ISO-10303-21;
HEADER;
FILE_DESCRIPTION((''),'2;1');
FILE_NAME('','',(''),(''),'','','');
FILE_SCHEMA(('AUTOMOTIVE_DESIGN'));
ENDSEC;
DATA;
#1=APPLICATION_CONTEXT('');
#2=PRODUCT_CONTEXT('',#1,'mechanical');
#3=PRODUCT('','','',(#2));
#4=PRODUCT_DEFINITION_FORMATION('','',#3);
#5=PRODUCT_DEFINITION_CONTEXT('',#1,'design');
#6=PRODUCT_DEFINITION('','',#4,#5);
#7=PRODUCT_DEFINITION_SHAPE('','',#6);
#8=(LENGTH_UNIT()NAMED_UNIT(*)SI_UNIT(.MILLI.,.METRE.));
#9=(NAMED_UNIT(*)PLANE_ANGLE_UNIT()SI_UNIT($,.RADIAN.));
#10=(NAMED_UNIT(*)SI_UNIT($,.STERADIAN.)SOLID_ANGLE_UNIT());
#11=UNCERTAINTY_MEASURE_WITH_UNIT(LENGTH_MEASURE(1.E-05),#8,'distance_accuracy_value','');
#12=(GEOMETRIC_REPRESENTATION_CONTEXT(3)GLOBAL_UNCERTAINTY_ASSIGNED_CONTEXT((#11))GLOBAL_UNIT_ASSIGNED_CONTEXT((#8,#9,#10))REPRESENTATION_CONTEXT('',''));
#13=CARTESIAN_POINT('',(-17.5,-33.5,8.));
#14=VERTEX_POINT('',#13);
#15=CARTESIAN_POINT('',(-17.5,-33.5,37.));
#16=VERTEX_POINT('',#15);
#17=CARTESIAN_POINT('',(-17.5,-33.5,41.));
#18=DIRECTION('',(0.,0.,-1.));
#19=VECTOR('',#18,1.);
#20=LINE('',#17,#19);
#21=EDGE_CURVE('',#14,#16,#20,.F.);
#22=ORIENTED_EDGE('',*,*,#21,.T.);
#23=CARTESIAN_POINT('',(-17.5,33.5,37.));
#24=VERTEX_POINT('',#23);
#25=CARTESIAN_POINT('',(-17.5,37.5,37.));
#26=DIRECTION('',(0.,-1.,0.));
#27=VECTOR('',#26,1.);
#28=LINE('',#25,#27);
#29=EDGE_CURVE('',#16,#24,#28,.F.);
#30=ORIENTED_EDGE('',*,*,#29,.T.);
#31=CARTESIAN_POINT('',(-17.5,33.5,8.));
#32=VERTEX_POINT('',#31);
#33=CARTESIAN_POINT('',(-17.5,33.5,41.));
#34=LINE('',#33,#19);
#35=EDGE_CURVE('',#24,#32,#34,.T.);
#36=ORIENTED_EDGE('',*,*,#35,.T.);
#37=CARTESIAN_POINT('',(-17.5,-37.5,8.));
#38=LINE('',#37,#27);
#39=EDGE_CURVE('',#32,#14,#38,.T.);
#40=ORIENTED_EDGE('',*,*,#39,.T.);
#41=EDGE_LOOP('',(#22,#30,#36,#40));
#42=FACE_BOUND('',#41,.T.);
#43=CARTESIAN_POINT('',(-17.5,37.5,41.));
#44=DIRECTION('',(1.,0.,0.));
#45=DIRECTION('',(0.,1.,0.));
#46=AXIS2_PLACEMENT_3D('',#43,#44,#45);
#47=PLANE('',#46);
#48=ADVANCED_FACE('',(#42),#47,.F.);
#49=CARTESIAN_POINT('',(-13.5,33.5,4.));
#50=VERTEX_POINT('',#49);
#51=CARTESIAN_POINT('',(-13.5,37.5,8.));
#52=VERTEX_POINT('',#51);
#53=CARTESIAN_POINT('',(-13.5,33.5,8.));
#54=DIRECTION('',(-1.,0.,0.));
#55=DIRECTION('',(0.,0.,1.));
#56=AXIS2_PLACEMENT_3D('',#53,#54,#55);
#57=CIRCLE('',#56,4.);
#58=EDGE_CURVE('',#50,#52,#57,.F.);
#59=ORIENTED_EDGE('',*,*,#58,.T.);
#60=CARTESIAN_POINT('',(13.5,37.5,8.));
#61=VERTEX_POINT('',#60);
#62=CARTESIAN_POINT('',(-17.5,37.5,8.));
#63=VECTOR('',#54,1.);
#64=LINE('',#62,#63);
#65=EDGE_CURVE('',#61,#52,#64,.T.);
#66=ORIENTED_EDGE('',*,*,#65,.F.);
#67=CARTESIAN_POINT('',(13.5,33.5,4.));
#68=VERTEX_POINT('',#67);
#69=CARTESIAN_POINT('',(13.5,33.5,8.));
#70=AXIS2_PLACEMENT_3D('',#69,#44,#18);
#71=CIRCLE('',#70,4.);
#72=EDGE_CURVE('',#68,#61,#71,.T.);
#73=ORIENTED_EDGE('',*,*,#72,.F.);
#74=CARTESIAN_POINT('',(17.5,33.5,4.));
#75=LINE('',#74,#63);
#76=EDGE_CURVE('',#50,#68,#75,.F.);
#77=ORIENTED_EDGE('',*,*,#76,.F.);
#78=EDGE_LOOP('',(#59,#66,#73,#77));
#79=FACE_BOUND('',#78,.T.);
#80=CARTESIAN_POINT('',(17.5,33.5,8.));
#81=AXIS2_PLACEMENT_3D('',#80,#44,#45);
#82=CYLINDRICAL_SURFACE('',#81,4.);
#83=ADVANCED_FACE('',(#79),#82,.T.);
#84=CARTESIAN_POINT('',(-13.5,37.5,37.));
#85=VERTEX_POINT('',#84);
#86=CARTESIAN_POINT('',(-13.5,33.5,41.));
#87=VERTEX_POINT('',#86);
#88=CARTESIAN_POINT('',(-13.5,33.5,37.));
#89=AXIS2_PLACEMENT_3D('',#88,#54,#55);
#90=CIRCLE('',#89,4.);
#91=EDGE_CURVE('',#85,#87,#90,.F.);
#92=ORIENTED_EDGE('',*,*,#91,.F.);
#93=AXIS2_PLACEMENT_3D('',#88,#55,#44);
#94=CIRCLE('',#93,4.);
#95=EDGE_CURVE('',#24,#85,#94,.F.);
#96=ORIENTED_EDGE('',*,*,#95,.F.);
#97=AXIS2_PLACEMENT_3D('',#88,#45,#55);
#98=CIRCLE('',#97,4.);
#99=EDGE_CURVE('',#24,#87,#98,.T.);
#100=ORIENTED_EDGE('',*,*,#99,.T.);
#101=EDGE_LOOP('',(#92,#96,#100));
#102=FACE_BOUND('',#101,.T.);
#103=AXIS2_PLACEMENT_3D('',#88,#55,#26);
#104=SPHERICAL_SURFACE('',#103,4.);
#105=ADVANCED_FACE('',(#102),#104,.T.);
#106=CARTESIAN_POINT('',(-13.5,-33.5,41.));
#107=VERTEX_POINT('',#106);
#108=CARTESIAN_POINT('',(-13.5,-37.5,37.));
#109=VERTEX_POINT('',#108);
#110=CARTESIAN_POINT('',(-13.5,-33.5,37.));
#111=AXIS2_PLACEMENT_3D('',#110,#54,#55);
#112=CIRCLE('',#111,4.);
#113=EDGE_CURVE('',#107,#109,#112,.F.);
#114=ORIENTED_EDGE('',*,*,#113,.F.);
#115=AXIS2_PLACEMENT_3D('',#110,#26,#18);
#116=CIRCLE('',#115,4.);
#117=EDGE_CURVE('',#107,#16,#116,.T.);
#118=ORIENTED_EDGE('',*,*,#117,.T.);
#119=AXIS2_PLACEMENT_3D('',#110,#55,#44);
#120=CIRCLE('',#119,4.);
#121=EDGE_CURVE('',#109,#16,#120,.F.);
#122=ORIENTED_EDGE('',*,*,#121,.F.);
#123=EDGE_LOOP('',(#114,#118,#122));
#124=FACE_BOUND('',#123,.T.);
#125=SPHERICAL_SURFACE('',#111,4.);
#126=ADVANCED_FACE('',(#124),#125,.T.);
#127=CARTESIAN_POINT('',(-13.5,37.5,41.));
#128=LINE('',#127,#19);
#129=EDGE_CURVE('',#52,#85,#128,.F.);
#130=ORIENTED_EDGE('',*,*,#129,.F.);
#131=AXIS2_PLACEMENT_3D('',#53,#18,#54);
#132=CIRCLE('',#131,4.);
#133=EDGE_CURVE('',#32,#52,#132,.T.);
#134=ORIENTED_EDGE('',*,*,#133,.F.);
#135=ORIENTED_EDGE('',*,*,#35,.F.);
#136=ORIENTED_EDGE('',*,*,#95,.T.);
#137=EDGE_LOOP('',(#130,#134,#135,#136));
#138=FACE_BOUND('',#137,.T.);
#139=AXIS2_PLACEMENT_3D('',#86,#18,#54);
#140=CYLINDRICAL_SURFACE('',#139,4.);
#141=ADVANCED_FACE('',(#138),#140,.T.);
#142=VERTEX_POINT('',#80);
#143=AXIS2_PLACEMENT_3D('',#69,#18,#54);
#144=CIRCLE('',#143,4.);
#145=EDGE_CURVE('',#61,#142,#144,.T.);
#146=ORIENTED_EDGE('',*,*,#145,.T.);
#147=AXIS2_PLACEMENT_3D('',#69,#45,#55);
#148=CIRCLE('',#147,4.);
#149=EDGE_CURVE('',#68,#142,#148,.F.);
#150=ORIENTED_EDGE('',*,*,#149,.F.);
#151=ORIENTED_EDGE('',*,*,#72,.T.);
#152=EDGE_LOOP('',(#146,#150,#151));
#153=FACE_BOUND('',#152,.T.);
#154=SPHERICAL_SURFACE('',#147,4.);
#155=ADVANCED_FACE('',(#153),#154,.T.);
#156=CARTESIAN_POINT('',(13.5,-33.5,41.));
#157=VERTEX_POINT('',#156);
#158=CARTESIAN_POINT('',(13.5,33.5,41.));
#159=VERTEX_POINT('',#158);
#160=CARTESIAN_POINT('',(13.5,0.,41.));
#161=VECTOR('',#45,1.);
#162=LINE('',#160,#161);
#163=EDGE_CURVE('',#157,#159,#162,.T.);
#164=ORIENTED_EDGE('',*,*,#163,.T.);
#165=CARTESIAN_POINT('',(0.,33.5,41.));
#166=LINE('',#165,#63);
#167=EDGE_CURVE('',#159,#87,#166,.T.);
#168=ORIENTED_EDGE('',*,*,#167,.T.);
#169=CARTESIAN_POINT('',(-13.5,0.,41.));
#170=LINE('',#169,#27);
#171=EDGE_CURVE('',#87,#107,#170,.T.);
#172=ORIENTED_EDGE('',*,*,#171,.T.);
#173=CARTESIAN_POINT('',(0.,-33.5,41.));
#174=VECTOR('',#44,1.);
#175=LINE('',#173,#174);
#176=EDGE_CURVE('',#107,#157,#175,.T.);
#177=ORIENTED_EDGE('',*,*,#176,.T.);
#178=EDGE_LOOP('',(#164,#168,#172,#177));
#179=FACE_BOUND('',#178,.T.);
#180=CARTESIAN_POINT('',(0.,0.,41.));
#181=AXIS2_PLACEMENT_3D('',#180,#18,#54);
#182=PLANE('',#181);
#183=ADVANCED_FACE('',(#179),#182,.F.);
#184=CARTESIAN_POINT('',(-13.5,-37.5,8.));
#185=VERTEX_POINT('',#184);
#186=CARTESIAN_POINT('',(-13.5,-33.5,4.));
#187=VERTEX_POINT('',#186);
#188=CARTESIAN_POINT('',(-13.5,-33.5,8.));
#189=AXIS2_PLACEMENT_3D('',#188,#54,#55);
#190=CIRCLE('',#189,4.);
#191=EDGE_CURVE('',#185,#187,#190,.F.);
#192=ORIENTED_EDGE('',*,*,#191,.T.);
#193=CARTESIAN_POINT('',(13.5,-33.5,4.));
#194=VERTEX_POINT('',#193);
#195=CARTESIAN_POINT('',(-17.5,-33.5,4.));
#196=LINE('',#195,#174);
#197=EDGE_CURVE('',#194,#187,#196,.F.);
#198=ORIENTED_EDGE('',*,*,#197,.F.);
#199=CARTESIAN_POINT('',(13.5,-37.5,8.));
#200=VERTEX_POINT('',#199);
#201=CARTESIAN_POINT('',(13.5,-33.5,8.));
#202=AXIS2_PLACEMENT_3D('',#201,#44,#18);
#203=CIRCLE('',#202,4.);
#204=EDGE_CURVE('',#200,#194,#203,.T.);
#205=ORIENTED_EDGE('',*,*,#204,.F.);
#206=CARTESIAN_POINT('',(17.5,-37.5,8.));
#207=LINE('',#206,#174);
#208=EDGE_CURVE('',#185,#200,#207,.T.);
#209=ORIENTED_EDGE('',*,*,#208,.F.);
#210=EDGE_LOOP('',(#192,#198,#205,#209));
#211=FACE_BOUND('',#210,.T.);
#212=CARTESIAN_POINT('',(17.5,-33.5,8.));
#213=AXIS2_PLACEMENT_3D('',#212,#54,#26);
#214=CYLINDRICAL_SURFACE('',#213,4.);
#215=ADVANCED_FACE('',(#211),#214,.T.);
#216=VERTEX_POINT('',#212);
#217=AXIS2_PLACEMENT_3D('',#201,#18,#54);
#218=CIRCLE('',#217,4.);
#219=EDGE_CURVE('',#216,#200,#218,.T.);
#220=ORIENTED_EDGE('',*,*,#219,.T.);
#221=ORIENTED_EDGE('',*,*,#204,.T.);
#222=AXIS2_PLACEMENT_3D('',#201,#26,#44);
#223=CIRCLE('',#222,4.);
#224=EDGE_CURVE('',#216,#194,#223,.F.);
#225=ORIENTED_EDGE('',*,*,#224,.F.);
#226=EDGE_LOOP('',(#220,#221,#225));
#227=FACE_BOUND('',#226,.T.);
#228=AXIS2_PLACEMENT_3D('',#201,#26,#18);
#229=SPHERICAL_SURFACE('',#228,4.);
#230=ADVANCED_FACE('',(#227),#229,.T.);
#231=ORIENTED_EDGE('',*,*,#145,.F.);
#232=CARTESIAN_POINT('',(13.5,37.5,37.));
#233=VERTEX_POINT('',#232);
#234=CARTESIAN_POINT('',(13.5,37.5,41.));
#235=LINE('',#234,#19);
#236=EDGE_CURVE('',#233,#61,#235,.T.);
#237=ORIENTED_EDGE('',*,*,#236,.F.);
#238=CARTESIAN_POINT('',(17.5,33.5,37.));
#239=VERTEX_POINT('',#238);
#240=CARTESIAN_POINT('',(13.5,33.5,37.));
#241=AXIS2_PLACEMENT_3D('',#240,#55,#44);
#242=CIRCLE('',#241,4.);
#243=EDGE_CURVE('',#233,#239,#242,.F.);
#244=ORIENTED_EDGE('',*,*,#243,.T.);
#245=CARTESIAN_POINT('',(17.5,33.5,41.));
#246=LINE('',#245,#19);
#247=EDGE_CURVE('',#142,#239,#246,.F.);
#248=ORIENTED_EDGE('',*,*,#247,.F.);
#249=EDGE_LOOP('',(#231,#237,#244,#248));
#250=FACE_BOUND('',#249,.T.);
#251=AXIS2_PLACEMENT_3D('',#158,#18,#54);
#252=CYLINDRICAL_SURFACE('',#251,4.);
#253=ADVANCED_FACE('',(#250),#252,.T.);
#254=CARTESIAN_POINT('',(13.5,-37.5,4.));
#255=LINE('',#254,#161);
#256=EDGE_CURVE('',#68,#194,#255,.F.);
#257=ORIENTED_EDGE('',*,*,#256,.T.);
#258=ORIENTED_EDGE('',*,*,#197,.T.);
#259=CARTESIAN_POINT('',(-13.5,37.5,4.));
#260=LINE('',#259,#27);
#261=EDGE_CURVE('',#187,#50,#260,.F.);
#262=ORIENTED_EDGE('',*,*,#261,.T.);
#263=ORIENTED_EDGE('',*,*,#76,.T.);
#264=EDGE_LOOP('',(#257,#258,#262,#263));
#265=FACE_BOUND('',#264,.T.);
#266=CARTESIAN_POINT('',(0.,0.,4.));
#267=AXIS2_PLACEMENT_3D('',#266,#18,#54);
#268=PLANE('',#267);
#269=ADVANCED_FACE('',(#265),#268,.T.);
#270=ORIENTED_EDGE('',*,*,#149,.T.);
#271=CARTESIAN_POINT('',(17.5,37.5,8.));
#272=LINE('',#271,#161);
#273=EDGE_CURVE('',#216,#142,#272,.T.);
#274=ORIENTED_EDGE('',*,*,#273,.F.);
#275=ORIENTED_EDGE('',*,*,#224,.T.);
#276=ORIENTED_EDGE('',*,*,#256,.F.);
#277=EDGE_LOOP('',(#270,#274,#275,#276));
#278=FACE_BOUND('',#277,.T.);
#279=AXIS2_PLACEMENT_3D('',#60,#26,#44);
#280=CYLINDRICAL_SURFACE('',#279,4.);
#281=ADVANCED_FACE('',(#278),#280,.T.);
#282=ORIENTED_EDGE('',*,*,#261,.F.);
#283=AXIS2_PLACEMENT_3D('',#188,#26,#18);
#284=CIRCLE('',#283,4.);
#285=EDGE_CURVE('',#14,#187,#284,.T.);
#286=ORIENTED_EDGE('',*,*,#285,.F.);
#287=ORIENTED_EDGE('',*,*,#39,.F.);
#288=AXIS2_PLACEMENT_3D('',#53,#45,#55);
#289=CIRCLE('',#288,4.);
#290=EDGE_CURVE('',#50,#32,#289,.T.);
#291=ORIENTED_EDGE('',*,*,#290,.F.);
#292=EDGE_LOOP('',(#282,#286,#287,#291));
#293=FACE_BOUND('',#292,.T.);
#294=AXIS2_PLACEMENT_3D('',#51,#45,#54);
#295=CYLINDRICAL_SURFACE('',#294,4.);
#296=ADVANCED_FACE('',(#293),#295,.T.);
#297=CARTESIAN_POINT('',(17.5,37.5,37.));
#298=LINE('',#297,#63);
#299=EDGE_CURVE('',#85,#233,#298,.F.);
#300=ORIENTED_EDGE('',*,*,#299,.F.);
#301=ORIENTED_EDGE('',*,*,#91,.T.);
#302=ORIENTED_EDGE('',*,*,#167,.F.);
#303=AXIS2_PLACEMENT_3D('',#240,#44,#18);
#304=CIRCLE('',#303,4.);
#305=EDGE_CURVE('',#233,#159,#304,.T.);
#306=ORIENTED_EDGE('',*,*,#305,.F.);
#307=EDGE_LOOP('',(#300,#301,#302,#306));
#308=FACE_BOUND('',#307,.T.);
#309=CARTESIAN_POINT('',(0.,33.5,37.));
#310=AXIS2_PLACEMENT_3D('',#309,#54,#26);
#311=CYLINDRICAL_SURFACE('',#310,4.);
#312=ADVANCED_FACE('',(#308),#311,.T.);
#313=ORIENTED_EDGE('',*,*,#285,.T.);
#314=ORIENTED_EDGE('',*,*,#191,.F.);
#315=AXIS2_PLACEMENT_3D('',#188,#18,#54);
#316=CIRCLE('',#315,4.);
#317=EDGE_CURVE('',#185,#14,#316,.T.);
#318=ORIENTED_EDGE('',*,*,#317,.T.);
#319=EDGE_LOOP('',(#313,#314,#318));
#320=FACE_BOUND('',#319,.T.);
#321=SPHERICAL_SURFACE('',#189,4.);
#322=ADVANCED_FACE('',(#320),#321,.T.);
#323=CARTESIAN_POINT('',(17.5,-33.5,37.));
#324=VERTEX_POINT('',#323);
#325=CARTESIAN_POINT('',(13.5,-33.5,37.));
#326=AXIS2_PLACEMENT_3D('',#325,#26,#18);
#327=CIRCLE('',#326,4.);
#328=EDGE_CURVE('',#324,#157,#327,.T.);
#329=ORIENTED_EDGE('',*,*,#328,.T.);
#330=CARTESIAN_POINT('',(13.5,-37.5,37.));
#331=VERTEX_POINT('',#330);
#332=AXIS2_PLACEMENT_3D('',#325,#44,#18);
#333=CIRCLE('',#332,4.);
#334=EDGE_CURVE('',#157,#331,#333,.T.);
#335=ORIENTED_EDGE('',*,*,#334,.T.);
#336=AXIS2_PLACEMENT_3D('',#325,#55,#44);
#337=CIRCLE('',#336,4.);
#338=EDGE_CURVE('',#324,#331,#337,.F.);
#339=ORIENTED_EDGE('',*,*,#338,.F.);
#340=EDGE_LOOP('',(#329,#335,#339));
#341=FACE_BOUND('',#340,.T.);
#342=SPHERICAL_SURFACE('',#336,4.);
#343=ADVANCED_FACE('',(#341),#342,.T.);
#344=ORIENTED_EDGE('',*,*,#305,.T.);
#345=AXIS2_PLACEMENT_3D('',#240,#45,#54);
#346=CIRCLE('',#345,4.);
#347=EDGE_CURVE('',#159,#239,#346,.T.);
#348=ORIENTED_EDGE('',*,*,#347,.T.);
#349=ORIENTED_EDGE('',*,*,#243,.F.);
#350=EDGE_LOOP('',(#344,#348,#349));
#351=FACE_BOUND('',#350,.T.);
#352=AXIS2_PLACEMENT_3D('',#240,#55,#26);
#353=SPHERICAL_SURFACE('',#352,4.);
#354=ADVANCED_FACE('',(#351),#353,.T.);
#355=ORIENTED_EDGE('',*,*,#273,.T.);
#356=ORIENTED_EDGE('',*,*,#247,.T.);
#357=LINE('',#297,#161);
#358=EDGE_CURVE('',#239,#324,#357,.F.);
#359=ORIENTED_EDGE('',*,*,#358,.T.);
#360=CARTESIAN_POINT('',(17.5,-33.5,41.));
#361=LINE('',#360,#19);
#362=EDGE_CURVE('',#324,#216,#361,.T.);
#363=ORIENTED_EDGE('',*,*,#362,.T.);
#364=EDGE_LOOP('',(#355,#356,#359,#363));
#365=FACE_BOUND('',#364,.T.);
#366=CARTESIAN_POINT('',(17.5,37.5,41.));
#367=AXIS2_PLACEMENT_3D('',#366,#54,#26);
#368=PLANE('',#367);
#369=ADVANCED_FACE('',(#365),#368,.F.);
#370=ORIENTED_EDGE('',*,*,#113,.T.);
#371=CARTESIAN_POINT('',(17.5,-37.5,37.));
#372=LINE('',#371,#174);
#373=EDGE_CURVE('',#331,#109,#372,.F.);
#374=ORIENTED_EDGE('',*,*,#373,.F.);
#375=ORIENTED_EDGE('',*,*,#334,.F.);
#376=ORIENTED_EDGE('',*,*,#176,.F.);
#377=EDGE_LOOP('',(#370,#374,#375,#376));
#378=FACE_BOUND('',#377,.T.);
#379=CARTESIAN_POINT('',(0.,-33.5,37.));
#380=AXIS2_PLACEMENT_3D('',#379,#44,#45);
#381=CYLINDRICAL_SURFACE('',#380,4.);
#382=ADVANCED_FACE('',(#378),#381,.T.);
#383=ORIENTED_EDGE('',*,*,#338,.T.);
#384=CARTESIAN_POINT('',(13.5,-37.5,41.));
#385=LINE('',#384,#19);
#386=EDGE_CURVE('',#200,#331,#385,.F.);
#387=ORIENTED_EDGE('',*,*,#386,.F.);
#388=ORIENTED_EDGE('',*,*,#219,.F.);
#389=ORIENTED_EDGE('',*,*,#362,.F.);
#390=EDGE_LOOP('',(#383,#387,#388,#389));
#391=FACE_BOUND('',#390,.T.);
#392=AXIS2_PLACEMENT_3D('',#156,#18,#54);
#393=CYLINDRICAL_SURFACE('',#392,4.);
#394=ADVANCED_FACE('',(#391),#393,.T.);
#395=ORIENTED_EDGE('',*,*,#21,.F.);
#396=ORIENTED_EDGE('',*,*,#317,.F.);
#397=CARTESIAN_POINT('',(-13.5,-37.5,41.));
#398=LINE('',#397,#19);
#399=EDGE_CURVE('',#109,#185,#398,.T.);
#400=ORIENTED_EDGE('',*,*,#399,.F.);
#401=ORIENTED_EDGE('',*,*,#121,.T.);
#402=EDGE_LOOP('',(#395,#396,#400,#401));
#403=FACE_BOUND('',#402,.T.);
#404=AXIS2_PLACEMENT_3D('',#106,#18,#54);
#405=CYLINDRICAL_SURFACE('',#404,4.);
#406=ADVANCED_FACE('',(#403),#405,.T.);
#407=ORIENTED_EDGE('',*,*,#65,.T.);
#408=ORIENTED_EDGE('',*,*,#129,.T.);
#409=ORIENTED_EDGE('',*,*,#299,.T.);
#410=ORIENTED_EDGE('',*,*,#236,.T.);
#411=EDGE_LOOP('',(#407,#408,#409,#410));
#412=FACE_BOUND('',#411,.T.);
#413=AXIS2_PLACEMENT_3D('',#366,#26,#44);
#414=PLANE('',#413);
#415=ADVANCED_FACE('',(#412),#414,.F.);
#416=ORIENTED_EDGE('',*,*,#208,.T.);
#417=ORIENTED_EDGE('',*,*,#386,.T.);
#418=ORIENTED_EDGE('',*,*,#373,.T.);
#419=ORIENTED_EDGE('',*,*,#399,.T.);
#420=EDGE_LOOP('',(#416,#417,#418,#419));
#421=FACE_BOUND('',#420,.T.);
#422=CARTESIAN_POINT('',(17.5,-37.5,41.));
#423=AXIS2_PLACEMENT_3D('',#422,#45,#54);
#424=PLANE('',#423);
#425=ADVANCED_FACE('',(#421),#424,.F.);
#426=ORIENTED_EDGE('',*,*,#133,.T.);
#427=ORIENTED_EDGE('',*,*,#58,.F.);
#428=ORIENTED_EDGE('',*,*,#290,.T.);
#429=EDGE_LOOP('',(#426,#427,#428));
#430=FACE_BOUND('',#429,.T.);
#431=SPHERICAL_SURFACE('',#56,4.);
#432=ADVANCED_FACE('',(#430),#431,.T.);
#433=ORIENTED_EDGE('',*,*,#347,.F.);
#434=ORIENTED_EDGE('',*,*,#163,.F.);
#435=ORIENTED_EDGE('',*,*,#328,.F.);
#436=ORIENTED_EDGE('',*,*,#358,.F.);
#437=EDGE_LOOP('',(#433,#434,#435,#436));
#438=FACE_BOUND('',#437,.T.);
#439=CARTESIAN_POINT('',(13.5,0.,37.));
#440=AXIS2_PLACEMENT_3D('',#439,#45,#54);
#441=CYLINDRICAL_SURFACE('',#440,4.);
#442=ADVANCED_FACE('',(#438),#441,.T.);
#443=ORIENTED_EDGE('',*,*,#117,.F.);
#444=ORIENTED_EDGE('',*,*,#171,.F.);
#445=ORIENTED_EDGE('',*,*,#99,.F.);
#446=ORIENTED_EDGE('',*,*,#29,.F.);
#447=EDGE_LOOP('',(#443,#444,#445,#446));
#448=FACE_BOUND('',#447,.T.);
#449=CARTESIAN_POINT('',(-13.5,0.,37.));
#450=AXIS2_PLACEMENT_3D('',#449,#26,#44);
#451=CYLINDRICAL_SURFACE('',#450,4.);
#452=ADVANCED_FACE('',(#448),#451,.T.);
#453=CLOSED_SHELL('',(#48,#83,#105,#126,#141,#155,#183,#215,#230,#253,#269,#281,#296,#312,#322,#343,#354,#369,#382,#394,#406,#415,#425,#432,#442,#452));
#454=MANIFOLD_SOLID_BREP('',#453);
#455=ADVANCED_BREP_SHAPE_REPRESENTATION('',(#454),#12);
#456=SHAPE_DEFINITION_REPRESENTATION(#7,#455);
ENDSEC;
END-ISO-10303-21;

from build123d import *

# Parameters (mm, degrees)
SKETCH2_W           = 35
SKETCH2_H           = 75
BOSS_EXTRUDE1_DEPTH = 37
FILLET1_R           = 4


with BuildPart() as part:
    # Sketch2 → Boss-Extrude1 (new body)
    with BuildSketch(Plane.XY.offset(4)):
        Rectangle(SKETCH2_W, SKETCH2_H)
    extrude(amount=BOSS_EXTRUDE1_DEPTH)

    # Fillet1
    fillet1_edges = [part.edges().sort_by_distance(p)[0] for p in [
        (-17.5, 0, 41),
        (0, -37.5, 41),
        (17.5, 0, 41),
        (0, -37.5, 4),
        (-17.5, 0, 4),
        (0, 37.5, 4),
        (17.5, 0, 4),
        (17.5, -37.5, 22.5),
        (-17.5, -37.5, 22.5),
        (-17.5, 37.5, 22.5),
        (17.5, 37.5, 22.5),
        (0, 37.5, 41),
    ]]
    fillet(fillet1_edges, radius=FILLET1_R)


solid = part.part
